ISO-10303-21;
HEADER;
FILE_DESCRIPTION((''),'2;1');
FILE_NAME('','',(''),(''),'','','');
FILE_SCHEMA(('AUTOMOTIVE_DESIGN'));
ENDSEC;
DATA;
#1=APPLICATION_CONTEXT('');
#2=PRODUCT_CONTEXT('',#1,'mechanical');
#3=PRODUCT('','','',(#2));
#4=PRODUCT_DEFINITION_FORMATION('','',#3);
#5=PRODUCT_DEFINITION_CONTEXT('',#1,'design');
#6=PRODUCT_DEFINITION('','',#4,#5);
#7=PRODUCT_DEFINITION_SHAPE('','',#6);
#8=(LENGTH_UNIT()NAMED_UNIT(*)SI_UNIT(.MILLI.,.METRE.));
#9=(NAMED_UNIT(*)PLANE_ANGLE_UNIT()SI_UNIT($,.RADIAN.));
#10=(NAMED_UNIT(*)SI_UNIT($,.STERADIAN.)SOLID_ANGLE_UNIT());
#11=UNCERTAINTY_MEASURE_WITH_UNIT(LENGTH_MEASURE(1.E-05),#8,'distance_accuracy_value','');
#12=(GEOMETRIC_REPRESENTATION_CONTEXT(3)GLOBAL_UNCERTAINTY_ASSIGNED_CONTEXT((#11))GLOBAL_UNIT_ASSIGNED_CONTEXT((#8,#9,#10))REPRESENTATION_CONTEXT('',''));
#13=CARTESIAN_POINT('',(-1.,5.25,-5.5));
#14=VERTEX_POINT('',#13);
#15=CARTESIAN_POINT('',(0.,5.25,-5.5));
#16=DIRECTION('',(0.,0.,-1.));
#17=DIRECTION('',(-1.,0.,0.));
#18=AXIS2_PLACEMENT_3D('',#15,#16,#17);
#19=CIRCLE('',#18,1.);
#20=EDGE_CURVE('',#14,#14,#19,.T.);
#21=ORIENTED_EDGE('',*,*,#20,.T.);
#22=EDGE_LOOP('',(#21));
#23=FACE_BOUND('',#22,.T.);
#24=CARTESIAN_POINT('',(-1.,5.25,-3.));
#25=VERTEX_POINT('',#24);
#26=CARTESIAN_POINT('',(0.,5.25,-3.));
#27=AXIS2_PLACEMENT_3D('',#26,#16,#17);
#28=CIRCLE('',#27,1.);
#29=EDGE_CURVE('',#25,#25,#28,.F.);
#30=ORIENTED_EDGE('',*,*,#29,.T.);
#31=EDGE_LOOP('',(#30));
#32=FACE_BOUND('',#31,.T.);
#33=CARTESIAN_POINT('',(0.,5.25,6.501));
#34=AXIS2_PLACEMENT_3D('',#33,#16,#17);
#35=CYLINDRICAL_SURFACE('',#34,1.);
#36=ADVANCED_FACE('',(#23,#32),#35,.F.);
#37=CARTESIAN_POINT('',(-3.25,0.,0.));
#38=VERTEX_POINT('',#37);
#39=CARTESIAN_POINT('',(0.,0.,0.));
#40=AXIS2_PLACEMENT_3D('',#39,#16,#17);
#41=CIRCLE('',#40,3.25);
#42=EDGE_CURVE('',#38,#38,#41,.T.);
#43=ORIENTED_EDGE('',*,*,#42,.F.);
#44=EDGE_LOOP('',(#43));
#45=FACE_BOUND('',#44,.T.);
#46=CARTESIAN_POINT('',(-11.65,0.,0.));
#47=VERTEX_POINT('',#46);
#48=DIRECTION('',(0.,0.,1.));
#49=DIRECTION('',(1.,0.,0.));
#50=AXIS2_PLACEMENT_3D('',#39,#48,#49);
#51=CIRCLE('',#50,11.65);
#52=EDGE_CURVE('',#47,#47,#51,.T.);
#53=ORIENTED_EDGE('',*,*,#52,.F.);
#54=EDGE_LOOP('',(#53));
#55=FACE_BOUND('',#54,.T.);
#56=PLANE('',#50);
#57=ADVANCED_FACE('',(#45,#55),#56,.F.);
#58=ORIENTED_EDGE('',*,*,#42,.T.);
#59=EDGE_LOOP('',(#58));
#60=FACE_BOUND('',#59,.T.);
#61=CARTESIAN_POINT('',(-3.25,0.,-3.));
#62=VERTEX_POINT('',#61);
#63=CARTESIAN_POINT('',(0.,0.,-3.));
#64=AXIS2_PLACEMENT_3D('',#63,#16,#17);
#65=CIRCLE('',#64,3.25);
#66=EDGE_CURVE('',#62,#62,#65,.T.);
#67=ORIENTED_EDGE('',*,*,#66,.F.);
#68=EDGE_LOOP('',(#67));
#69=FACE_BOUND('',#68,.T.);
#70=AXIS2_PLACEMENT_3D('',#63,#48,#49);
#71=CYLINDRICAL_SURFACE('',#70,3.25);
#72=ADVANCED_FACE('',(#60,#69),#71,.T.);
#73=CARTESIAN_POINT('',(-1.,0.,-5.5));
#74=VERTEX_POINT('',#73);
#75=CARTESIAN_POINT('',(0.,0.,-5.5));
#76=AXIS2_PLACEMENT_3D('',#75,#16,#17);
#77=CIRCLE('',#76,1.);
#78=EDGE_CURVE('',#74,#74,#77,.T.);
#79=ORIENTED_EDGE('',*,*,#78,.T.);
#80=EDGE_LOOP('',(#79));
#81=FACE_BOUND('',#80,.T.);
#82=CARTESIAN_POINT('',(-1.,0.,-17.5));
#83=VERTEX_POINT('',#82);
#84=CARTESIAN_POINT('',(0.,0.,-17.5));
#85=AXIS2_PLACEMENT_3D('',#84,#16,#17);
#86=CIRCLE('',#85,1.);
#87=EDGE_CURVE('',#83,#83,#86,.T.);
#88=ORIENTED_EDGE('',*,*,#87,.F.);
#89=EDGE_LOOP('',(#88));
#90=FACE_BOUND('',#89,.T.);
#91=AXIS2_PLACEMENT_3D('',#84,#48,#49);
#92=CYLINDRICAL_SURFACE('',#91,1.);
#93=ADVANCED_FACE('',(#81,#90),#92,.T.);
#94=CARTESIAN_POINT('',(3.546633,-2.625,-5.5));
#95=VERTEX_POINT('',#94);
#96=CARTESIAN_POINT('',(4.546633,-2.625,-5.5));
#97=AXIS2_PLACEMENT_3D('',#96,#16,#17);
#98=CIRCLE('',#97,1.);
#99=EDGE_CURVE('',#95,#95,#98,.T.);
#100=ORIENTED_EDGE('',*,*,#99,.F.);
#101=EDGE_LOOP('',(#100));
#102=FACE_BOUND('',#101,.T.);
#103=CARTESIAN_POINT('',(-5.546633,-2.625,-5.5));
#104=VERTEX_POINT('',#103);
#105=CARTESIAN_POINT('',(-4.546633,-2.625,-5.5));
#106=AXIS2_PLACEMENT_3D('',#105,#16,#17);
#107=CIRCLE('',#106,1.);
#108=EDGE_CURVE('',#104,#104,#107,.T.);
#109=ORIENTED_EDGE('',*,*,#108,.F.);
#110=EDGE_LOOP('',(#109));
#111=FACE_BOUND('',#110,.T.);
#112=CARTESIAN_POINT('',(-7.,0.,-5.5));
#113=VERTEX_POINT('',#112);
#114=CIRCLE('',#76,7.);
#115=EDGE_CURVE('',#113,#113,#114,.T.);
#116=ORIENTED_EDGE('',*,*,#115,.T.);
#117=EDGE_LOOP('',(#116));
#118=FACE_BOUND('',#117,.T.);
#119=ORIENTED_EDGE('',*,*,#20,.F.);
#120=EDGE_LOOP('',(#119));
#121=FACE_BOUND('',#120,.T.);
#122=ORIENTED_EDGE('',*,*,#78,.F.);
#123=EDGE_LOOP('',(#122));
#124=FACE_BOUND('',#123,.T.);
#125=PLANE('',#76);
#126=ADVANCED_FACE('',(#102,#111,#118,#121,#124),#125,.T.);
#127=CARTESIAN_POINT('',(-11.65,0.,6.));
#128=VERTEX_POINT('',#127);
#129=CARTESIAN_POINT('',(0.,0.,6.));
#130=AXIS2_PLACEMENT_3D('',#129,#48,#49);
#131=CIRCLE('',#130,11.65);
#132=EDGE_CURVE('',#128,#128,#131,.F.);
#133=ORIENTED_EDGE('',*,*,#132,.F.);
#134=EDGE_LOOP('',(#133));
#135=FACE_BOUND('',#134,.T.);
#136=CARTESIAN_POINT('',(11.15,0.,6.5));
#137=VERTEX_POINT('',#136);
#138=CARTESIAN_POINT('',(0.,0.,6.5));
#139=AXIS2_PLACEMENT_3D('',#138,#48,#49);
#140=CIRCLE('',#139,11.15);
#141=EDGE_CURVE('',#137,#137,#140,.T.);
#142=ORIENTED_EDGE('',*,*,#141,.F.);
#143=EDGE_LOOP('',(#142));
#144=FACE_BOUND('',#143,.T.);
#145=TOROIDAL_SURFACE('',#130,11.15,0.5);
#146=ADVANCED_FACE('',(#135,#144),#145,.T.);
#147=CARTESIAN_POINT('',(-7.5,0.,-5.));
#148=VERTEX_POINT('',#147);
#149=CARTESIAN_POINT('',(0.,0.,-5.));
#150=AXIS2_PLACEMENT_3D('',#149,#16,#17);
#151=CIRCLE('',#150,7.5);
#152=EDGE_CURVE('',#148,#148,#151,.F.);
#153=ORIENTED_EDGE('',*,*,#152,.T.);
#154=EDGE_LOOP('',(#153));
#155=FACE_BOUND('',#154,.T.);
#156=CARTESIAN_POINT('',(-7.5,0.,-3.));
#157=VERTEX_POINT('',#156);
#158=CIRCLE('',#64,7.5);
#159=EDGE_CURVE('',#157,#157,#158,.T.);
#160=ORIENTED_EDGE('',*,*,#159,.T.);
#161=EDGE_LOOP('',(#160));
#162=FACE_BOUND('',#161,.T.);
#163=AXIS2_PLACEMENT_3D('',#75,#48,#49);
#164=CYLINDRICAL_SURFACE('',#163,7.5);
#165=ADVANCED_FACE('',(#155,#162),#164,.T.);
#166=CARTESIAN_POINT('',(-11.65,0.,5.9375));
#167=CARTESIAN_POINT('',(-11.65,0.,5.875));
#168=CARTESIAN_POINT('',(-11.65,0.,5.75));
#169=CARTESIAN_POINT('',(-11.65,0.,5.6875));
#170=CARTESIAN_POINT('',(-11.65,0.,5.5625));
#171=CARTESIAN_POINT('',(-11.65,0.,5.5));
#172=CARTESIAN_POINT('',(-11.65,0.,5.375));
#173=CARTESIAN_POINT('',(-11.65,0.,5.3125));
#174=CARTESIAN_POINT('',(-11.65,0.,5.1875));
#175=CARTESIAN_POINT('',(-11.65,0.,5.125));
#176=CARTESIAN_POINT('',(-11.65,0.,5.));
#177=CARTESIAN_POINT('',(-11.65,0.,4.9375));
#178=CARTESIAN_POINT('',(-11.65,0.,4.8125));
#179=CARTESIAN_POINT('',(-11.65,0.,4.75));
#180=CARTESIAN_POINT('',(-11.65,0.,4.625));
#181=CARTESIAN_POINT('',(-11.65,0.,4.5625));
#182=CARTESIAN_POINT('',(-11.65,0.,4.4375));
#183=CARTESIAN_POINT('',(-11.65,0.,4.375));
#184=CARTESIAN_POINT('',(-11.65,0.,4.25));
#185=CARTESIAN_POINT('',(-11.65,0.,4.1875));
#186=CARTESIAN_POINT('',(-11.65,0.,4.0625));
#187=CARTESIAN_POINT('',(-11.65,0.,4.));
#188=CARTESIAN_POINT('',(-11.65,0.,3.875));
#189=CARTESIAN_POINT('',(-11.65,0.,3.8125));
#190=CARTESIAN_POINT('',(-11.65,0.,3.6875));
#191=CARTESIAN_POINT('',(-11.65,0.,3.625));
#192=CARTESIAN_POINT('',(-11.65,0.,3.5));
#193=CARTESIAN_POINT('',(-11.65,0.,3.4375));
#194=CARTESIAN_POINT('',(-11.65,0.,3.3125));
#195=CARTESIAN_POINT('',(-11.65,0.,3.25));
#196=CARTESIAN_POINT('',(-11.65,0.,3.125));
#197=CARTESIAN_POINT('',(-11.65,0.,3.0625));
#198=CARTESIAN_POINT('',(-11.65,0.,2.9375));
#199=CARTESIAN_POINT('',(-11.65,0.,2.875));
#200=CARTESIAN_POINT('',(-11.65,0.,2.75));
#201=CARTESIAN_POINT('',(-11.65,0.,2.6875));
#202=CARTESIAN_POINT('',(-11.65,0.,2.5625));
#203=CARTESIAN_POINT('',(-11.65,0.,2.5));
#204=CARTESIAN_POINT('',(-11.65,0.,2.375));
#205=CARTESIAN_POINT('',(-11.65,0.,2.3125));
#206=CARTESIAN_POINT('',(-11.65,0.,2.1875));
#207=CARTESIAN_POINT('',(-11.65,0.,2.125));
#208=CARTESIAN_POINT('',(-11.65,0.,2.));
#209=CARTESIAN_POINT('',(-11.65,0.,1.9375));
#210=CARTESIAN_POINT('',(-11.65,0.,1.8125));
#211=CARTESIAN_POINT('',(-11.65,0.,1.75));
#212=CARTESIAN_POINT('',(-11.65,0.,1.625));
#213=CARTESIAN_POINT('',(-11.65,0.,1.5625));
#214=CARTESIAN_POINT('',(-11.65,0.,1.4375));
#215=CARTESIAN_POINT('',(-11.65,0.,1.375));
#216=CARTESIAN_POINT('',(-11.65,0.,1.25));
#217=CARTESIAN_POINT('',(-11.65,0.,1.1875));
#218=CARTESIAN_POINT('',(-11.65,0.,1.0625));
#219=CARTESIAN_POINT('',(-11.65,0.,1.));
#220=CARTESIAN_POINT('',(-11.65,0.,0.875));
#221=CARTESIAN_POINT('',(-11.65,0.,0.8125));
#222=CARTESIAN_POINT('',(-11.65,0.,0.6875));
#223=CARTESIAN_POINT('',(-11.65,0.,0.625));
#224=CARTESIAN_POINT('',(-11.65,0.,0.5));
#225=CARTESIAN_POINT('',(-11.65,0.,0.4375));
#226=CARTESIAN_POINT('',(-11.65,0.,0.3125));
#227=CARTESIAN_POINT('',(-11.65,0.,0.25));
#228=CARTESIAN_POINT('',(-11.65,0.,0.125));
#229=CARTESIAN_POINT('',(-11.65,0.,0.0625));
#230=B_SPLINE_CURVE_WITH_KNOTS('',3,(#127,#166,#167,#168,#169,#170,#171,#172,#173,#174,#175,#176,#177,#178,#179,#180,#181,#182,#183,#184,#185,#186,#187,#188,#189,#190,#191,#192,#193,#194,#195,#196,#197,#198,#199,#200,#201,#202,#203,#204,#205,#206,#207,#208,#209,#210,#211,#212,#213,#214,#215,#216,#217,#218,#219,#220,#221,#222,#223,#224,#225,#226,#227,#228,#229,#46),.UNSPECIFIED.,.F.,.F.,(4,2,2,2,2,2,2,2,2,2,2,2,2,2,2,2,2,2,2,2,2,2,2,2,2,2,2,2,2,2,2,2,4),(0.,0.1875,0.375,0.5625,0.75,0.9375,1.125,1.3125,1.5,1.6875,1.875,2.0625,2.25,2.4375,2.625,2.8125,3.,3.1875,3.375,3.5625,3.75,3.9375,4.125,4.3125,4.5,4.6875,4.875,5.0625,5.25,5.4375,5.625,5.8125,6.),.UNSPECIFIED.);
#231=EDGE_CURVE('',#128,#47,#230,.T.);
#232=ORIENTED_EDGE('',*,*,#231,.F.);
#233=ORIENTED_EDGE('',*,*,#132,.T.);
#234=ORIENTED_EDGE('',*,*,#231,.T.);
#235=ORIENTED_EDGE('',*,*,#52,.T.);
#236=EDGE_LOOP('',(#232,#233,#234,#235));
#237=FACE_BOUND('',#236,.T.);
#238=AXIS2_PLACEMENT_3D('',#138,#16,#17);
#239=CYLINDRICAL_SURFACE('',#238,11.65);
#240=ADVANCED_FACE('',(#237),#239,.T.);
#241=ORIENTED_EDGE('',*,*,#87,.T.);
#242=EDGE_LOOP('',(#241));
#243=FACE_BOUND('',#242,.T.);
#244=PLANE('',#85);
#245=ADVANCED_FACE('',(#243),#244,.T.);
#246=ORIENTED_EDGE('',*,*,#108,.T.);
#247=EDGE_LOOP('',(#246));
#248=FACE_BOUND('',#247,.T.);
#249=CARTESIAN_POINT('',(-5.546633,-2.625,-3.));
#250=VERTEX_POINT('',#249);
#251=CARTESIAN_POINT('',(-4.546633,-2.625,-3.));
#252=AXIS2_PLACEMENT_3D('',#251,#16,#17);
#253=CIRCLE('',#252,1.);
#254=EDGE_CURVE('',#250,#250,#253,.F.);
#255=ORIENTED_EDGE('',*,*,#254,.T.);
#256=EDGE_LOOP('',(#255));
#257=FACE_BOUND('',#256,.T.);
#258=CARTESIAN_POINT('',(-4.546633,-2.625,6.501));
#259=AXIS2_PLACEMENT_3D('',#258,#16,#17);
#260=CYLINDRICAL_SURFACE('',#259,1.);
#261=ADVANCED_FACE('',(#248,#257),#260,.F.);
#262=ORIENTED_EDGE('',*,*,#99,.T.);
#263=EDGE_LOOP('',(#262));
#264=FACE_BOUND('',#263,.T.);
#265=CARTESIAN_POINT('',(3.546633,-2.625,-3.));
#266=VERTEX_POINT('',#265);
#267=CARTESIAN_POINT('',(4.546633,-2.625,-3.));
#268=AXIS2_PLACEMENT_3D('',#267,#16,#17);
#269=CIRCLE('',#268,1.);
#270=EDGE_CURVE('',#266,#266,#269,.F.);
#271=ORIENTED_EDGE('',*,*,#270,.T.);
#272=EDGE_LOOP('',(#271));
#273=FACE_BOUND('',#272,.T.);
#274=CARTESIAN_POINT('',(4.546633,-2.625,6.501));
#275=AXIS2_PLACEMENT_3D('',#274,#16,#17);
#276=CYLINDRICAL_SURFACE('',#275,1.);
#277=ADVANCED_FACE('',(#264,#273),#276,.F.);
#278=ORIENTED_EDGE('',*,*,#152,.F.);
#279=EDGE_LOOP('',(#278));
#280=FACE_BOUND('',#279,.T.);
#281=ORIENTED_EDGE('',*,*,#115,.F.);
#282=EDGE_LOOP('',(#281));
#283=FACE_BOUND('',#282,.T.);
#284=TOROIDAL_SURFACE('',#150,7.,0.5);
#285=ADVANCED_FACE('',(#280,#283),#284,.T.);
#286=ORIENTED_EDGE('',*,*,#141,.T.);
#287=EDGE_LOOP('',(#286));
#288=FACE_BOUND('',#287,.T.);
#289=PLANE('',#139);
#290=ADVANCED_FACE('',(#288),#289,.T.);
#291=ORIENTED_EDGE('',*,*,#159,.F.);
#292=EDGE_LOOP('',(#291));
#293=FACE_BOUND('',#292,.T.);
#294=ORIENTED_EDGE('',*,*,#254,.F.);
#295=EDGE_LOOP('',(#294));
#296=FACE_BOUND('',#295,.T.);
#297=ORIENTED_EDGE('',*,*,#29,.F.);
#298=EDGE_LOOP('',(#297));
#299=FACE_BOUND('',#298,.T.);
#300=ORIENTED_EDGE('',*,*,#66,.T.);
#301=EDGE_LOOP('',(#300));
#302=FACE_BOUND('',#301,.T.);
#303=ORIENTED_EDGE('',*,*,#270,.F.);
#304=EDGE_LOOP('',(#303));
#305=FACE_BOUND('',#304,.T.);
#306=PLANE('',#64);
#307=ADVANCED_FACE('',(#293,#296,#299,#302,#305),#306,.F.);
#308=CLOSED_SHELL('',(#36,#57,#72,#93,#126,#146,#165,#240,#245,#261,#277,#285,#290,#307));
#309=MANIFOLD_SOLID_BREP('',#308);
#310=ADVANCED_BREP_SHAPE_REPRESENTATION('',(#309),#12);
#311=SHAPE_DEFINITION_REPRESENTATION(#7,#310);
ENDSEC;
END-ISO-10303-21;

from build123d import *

# Parameters (mm, degrees)
SKETCH1_R           = 11.65
BOSS_EXTRUDE1_DEPTH = 6.5
FILLET1_R           = 0.5
SKETCH2_R           = 3.25
BOSS_EXTRUDE2_DEPTH = 3
SKETCH3_R           = 7.5
BOSS_EXTRUDE3_DEPTH = 2.5
FILLET2_R           = 0.5
SKETCH4_R           = 1
BOSS_EXTRUDE4_DEPTH = 12
CUT_EXTRUDE1_REACH  = 22.382
SKETCH5_R           = 1


with BuildPart() as part:
    # Sketch1 → Boss-Extrude1 (new body)
    with BuildSketch(Plane.XY):
        with Locations(Location((0, 0, 0), (0, 0, 180))):
            Circle(SKETCH1_R)
    extrude(amount=BOSS_EXTRUDE1_DEPTH)

    # Fillet1
    fillet1_edges = [part.edges().sort_by_distance(p)[0] for p in [
        (11.65, 0, 6.5),
    ]]
    fillet(fillet1_edges, radius=FILLET1_R)

    # Sketch2 → Boss-Extrude2 (add)
    with BuildSketch(Plane(origin=(0, 0, 0), x_dir=(-1, 0, 0), z_dir=(0, 0, -1))):
        Circle(SKETCH2_R)
    extrude(amount=BOSS_EXTRUDE2_DEPTH)

    # Sketch3 → Boss-Extrude3 (add)
    with BuildSketch(Plane(origin=(0, 0, -3), x_dir=(-1, 0, 0), z_dir=(0, 0, -1))):
        Circle(SKETCH3_R)
    extrude(amount=BOSS_EXTRUDE3_DEPTH)

    # Fillet2
    fillet2_edges = [part.edges().sort_by_distance(p)[0] for p in [
        (7.5, 0, -5.5),
    ]]
    fillet(fillet2_edges, radius=FILLET2_R)

    # Sketch4 → Boss-Extrude4 (add)
    with BuildSketch(Plane(origin=(0, 0, -5.5), x_dir=(-1, 0, 0), z_dir=(0, 0, -1))):
        Circle(SKETCH4_R)
    extrude(amount=BOSS_EXTRUDE4_DEPTH)

    # Sketch5 → Cut-Extrude1 (cut, up to next)
    with BuildSketch(Plane(origin=(0, 0, -5.5), x_dir=(-1, 0, 0), z_dir=(0, 0, -1)), mode=Mode.PRIVATE) as cut_extrude1_sk1:
        with Locations((4.54663337, -2.625)):
            Circle(SKETCH5_R)
    cut_extrude1_tool1 = extrude(cut_extrude1_sk1.sketch, amount=-CUT_EXTRUDE1_REACH, mode=Mode.PRIVATE) & part.part
    # Sketch5 → Cut-Extrude1 (cut, up to next)
    with BuildSketch(Plane(origin=(0, 0, -5.5), x_dir=(-1, 0, 0), z_dir=(0, 0, -1)), mode=Mode.PRIVATE) as cut_extrude1_sk2:
        with Locations((0, 5.25)):
            Circle(SKETCH5_R)
    cut_extrude1_tool2 = extrude(cut_extrude1_sk2.sketch, amount=-CUT_EXTRUDE1_REACH, mode=Mode.PRIVATE) & part.part
    # Sketch5 → Cut-Extrude1 (cut, up to next)
    with BuildSketch(Plane(origin=(0, 0, -5.5), x_dir=(-1, 0, 0), z_dir=(0, 0, -1)), mode=Mode.PRIVATE) as cut_extrude1_sk3:
        with Locations((-4.54663337, -2.625)):
            Circle(SKETCH5_R)
    cut_extrude1_tool3 = extrude(cut_extrude1_sk3.sketch, amount=-CUT_EXTRUDE1_REACH, mode=Mode.PRIVATE) & part.part
    add(cut_extrude1_tool1.solids().sort_by_distance((-4.546633, -2.625, -5.5))[0], mode=Mode.SUBTRACT)
    add(cut_extrude1_tool2.solids().sort_by_distance((0, 5.25, -5.5))[0], mode=Mode.SUBTRACT)
    add(cut_extrude1_tool3.solids().sort_by_distance((4.546633, -2.625, -5.5))[0], mode=Mode.SUBTRACT)


solid = part.part
